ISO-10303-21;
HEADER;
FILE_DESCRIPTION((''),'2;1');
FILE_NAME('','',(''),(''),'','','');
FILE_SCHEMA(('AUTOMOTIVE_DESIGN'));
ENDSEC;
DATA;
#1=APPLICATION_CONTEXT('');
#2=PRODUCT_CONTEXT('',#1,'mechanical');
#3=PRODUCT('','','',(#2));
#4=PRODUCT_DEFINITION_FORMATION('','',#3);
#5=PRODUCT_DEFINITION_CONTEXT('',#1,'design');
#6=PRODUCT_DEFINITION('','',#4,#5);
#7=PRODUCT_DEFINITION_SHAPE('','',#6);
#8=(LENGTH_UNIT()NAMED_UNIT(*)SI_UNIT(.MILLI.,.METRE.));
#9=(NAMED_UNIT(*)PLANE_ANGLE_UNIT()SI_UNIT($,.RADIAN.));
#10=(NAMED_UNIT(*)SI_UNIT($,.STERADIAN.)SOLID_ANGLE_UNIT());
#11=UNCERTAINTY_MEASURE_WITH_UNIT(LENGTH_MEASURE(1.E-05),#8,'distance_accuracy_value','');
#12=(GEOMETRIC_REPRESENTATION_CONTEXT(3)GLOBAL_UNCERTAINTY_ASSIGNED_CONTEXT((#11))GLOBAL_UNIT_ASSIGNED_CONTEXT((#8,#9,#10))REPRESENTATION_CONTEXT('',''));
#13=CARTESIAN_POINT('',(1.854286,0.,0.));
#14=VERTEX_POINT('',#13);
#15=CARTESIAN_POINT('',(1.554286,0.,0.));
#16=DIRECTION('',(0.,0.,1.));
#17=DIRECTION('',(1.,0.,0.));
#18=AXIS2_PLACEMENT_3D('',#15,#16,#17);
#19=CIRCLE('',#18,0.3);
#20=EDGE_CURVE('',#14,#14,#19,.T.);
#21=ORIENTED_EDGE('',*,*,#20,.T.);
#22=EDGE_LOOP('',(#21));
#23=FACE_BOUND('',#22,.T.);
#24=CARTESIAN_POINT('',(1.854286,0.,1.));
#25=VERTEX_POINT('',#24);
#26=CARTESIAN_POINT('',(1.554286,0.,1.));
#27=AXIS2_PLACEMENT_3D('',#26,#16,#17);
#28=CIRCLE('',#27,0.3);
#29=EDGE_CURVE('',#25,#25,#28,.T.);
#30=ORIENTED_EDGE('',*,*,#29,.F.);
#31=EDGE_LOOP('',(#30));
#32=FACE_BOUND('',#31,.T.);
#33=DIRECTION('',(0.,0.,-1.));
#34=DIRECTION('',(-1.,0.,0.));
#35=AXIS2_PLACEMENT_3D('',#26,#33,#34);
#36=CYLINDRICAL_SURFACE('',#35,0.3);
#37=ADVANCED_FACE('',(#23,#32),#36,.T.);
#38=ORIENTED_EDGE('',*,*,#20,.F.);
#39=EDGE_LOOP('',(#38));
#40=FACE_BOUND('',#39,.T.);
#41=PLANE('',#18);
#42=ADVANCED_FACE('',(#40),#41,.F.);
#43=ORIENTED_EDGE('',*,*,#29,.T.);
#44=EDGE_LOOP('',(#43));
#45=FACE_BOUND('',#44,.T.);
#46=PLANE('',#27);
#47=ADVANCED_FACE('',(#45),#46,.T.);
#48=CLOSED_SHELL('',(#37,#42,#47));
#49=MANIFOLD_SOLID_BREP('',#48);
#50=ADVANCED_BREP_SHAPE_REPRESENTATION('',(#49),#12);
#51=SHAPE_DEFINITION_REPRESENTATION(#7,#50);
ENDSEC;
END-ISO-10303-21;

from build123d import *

# Parameters (mm, degrees)
SKETCH_1_R      = 0.3
EXTRUDE_1_DEPTH = 1


with BuildPart() as part:
    # 草图1 → 凸台-拉伸1 (new body)
    with BuildSketch(Plane.XY):
        with Locations((1.554285714, 0)):
            Circle(SKETCH_1_R)
    extrude(amount=EXTRUDE_1_DEPTH)


solid = part.part
